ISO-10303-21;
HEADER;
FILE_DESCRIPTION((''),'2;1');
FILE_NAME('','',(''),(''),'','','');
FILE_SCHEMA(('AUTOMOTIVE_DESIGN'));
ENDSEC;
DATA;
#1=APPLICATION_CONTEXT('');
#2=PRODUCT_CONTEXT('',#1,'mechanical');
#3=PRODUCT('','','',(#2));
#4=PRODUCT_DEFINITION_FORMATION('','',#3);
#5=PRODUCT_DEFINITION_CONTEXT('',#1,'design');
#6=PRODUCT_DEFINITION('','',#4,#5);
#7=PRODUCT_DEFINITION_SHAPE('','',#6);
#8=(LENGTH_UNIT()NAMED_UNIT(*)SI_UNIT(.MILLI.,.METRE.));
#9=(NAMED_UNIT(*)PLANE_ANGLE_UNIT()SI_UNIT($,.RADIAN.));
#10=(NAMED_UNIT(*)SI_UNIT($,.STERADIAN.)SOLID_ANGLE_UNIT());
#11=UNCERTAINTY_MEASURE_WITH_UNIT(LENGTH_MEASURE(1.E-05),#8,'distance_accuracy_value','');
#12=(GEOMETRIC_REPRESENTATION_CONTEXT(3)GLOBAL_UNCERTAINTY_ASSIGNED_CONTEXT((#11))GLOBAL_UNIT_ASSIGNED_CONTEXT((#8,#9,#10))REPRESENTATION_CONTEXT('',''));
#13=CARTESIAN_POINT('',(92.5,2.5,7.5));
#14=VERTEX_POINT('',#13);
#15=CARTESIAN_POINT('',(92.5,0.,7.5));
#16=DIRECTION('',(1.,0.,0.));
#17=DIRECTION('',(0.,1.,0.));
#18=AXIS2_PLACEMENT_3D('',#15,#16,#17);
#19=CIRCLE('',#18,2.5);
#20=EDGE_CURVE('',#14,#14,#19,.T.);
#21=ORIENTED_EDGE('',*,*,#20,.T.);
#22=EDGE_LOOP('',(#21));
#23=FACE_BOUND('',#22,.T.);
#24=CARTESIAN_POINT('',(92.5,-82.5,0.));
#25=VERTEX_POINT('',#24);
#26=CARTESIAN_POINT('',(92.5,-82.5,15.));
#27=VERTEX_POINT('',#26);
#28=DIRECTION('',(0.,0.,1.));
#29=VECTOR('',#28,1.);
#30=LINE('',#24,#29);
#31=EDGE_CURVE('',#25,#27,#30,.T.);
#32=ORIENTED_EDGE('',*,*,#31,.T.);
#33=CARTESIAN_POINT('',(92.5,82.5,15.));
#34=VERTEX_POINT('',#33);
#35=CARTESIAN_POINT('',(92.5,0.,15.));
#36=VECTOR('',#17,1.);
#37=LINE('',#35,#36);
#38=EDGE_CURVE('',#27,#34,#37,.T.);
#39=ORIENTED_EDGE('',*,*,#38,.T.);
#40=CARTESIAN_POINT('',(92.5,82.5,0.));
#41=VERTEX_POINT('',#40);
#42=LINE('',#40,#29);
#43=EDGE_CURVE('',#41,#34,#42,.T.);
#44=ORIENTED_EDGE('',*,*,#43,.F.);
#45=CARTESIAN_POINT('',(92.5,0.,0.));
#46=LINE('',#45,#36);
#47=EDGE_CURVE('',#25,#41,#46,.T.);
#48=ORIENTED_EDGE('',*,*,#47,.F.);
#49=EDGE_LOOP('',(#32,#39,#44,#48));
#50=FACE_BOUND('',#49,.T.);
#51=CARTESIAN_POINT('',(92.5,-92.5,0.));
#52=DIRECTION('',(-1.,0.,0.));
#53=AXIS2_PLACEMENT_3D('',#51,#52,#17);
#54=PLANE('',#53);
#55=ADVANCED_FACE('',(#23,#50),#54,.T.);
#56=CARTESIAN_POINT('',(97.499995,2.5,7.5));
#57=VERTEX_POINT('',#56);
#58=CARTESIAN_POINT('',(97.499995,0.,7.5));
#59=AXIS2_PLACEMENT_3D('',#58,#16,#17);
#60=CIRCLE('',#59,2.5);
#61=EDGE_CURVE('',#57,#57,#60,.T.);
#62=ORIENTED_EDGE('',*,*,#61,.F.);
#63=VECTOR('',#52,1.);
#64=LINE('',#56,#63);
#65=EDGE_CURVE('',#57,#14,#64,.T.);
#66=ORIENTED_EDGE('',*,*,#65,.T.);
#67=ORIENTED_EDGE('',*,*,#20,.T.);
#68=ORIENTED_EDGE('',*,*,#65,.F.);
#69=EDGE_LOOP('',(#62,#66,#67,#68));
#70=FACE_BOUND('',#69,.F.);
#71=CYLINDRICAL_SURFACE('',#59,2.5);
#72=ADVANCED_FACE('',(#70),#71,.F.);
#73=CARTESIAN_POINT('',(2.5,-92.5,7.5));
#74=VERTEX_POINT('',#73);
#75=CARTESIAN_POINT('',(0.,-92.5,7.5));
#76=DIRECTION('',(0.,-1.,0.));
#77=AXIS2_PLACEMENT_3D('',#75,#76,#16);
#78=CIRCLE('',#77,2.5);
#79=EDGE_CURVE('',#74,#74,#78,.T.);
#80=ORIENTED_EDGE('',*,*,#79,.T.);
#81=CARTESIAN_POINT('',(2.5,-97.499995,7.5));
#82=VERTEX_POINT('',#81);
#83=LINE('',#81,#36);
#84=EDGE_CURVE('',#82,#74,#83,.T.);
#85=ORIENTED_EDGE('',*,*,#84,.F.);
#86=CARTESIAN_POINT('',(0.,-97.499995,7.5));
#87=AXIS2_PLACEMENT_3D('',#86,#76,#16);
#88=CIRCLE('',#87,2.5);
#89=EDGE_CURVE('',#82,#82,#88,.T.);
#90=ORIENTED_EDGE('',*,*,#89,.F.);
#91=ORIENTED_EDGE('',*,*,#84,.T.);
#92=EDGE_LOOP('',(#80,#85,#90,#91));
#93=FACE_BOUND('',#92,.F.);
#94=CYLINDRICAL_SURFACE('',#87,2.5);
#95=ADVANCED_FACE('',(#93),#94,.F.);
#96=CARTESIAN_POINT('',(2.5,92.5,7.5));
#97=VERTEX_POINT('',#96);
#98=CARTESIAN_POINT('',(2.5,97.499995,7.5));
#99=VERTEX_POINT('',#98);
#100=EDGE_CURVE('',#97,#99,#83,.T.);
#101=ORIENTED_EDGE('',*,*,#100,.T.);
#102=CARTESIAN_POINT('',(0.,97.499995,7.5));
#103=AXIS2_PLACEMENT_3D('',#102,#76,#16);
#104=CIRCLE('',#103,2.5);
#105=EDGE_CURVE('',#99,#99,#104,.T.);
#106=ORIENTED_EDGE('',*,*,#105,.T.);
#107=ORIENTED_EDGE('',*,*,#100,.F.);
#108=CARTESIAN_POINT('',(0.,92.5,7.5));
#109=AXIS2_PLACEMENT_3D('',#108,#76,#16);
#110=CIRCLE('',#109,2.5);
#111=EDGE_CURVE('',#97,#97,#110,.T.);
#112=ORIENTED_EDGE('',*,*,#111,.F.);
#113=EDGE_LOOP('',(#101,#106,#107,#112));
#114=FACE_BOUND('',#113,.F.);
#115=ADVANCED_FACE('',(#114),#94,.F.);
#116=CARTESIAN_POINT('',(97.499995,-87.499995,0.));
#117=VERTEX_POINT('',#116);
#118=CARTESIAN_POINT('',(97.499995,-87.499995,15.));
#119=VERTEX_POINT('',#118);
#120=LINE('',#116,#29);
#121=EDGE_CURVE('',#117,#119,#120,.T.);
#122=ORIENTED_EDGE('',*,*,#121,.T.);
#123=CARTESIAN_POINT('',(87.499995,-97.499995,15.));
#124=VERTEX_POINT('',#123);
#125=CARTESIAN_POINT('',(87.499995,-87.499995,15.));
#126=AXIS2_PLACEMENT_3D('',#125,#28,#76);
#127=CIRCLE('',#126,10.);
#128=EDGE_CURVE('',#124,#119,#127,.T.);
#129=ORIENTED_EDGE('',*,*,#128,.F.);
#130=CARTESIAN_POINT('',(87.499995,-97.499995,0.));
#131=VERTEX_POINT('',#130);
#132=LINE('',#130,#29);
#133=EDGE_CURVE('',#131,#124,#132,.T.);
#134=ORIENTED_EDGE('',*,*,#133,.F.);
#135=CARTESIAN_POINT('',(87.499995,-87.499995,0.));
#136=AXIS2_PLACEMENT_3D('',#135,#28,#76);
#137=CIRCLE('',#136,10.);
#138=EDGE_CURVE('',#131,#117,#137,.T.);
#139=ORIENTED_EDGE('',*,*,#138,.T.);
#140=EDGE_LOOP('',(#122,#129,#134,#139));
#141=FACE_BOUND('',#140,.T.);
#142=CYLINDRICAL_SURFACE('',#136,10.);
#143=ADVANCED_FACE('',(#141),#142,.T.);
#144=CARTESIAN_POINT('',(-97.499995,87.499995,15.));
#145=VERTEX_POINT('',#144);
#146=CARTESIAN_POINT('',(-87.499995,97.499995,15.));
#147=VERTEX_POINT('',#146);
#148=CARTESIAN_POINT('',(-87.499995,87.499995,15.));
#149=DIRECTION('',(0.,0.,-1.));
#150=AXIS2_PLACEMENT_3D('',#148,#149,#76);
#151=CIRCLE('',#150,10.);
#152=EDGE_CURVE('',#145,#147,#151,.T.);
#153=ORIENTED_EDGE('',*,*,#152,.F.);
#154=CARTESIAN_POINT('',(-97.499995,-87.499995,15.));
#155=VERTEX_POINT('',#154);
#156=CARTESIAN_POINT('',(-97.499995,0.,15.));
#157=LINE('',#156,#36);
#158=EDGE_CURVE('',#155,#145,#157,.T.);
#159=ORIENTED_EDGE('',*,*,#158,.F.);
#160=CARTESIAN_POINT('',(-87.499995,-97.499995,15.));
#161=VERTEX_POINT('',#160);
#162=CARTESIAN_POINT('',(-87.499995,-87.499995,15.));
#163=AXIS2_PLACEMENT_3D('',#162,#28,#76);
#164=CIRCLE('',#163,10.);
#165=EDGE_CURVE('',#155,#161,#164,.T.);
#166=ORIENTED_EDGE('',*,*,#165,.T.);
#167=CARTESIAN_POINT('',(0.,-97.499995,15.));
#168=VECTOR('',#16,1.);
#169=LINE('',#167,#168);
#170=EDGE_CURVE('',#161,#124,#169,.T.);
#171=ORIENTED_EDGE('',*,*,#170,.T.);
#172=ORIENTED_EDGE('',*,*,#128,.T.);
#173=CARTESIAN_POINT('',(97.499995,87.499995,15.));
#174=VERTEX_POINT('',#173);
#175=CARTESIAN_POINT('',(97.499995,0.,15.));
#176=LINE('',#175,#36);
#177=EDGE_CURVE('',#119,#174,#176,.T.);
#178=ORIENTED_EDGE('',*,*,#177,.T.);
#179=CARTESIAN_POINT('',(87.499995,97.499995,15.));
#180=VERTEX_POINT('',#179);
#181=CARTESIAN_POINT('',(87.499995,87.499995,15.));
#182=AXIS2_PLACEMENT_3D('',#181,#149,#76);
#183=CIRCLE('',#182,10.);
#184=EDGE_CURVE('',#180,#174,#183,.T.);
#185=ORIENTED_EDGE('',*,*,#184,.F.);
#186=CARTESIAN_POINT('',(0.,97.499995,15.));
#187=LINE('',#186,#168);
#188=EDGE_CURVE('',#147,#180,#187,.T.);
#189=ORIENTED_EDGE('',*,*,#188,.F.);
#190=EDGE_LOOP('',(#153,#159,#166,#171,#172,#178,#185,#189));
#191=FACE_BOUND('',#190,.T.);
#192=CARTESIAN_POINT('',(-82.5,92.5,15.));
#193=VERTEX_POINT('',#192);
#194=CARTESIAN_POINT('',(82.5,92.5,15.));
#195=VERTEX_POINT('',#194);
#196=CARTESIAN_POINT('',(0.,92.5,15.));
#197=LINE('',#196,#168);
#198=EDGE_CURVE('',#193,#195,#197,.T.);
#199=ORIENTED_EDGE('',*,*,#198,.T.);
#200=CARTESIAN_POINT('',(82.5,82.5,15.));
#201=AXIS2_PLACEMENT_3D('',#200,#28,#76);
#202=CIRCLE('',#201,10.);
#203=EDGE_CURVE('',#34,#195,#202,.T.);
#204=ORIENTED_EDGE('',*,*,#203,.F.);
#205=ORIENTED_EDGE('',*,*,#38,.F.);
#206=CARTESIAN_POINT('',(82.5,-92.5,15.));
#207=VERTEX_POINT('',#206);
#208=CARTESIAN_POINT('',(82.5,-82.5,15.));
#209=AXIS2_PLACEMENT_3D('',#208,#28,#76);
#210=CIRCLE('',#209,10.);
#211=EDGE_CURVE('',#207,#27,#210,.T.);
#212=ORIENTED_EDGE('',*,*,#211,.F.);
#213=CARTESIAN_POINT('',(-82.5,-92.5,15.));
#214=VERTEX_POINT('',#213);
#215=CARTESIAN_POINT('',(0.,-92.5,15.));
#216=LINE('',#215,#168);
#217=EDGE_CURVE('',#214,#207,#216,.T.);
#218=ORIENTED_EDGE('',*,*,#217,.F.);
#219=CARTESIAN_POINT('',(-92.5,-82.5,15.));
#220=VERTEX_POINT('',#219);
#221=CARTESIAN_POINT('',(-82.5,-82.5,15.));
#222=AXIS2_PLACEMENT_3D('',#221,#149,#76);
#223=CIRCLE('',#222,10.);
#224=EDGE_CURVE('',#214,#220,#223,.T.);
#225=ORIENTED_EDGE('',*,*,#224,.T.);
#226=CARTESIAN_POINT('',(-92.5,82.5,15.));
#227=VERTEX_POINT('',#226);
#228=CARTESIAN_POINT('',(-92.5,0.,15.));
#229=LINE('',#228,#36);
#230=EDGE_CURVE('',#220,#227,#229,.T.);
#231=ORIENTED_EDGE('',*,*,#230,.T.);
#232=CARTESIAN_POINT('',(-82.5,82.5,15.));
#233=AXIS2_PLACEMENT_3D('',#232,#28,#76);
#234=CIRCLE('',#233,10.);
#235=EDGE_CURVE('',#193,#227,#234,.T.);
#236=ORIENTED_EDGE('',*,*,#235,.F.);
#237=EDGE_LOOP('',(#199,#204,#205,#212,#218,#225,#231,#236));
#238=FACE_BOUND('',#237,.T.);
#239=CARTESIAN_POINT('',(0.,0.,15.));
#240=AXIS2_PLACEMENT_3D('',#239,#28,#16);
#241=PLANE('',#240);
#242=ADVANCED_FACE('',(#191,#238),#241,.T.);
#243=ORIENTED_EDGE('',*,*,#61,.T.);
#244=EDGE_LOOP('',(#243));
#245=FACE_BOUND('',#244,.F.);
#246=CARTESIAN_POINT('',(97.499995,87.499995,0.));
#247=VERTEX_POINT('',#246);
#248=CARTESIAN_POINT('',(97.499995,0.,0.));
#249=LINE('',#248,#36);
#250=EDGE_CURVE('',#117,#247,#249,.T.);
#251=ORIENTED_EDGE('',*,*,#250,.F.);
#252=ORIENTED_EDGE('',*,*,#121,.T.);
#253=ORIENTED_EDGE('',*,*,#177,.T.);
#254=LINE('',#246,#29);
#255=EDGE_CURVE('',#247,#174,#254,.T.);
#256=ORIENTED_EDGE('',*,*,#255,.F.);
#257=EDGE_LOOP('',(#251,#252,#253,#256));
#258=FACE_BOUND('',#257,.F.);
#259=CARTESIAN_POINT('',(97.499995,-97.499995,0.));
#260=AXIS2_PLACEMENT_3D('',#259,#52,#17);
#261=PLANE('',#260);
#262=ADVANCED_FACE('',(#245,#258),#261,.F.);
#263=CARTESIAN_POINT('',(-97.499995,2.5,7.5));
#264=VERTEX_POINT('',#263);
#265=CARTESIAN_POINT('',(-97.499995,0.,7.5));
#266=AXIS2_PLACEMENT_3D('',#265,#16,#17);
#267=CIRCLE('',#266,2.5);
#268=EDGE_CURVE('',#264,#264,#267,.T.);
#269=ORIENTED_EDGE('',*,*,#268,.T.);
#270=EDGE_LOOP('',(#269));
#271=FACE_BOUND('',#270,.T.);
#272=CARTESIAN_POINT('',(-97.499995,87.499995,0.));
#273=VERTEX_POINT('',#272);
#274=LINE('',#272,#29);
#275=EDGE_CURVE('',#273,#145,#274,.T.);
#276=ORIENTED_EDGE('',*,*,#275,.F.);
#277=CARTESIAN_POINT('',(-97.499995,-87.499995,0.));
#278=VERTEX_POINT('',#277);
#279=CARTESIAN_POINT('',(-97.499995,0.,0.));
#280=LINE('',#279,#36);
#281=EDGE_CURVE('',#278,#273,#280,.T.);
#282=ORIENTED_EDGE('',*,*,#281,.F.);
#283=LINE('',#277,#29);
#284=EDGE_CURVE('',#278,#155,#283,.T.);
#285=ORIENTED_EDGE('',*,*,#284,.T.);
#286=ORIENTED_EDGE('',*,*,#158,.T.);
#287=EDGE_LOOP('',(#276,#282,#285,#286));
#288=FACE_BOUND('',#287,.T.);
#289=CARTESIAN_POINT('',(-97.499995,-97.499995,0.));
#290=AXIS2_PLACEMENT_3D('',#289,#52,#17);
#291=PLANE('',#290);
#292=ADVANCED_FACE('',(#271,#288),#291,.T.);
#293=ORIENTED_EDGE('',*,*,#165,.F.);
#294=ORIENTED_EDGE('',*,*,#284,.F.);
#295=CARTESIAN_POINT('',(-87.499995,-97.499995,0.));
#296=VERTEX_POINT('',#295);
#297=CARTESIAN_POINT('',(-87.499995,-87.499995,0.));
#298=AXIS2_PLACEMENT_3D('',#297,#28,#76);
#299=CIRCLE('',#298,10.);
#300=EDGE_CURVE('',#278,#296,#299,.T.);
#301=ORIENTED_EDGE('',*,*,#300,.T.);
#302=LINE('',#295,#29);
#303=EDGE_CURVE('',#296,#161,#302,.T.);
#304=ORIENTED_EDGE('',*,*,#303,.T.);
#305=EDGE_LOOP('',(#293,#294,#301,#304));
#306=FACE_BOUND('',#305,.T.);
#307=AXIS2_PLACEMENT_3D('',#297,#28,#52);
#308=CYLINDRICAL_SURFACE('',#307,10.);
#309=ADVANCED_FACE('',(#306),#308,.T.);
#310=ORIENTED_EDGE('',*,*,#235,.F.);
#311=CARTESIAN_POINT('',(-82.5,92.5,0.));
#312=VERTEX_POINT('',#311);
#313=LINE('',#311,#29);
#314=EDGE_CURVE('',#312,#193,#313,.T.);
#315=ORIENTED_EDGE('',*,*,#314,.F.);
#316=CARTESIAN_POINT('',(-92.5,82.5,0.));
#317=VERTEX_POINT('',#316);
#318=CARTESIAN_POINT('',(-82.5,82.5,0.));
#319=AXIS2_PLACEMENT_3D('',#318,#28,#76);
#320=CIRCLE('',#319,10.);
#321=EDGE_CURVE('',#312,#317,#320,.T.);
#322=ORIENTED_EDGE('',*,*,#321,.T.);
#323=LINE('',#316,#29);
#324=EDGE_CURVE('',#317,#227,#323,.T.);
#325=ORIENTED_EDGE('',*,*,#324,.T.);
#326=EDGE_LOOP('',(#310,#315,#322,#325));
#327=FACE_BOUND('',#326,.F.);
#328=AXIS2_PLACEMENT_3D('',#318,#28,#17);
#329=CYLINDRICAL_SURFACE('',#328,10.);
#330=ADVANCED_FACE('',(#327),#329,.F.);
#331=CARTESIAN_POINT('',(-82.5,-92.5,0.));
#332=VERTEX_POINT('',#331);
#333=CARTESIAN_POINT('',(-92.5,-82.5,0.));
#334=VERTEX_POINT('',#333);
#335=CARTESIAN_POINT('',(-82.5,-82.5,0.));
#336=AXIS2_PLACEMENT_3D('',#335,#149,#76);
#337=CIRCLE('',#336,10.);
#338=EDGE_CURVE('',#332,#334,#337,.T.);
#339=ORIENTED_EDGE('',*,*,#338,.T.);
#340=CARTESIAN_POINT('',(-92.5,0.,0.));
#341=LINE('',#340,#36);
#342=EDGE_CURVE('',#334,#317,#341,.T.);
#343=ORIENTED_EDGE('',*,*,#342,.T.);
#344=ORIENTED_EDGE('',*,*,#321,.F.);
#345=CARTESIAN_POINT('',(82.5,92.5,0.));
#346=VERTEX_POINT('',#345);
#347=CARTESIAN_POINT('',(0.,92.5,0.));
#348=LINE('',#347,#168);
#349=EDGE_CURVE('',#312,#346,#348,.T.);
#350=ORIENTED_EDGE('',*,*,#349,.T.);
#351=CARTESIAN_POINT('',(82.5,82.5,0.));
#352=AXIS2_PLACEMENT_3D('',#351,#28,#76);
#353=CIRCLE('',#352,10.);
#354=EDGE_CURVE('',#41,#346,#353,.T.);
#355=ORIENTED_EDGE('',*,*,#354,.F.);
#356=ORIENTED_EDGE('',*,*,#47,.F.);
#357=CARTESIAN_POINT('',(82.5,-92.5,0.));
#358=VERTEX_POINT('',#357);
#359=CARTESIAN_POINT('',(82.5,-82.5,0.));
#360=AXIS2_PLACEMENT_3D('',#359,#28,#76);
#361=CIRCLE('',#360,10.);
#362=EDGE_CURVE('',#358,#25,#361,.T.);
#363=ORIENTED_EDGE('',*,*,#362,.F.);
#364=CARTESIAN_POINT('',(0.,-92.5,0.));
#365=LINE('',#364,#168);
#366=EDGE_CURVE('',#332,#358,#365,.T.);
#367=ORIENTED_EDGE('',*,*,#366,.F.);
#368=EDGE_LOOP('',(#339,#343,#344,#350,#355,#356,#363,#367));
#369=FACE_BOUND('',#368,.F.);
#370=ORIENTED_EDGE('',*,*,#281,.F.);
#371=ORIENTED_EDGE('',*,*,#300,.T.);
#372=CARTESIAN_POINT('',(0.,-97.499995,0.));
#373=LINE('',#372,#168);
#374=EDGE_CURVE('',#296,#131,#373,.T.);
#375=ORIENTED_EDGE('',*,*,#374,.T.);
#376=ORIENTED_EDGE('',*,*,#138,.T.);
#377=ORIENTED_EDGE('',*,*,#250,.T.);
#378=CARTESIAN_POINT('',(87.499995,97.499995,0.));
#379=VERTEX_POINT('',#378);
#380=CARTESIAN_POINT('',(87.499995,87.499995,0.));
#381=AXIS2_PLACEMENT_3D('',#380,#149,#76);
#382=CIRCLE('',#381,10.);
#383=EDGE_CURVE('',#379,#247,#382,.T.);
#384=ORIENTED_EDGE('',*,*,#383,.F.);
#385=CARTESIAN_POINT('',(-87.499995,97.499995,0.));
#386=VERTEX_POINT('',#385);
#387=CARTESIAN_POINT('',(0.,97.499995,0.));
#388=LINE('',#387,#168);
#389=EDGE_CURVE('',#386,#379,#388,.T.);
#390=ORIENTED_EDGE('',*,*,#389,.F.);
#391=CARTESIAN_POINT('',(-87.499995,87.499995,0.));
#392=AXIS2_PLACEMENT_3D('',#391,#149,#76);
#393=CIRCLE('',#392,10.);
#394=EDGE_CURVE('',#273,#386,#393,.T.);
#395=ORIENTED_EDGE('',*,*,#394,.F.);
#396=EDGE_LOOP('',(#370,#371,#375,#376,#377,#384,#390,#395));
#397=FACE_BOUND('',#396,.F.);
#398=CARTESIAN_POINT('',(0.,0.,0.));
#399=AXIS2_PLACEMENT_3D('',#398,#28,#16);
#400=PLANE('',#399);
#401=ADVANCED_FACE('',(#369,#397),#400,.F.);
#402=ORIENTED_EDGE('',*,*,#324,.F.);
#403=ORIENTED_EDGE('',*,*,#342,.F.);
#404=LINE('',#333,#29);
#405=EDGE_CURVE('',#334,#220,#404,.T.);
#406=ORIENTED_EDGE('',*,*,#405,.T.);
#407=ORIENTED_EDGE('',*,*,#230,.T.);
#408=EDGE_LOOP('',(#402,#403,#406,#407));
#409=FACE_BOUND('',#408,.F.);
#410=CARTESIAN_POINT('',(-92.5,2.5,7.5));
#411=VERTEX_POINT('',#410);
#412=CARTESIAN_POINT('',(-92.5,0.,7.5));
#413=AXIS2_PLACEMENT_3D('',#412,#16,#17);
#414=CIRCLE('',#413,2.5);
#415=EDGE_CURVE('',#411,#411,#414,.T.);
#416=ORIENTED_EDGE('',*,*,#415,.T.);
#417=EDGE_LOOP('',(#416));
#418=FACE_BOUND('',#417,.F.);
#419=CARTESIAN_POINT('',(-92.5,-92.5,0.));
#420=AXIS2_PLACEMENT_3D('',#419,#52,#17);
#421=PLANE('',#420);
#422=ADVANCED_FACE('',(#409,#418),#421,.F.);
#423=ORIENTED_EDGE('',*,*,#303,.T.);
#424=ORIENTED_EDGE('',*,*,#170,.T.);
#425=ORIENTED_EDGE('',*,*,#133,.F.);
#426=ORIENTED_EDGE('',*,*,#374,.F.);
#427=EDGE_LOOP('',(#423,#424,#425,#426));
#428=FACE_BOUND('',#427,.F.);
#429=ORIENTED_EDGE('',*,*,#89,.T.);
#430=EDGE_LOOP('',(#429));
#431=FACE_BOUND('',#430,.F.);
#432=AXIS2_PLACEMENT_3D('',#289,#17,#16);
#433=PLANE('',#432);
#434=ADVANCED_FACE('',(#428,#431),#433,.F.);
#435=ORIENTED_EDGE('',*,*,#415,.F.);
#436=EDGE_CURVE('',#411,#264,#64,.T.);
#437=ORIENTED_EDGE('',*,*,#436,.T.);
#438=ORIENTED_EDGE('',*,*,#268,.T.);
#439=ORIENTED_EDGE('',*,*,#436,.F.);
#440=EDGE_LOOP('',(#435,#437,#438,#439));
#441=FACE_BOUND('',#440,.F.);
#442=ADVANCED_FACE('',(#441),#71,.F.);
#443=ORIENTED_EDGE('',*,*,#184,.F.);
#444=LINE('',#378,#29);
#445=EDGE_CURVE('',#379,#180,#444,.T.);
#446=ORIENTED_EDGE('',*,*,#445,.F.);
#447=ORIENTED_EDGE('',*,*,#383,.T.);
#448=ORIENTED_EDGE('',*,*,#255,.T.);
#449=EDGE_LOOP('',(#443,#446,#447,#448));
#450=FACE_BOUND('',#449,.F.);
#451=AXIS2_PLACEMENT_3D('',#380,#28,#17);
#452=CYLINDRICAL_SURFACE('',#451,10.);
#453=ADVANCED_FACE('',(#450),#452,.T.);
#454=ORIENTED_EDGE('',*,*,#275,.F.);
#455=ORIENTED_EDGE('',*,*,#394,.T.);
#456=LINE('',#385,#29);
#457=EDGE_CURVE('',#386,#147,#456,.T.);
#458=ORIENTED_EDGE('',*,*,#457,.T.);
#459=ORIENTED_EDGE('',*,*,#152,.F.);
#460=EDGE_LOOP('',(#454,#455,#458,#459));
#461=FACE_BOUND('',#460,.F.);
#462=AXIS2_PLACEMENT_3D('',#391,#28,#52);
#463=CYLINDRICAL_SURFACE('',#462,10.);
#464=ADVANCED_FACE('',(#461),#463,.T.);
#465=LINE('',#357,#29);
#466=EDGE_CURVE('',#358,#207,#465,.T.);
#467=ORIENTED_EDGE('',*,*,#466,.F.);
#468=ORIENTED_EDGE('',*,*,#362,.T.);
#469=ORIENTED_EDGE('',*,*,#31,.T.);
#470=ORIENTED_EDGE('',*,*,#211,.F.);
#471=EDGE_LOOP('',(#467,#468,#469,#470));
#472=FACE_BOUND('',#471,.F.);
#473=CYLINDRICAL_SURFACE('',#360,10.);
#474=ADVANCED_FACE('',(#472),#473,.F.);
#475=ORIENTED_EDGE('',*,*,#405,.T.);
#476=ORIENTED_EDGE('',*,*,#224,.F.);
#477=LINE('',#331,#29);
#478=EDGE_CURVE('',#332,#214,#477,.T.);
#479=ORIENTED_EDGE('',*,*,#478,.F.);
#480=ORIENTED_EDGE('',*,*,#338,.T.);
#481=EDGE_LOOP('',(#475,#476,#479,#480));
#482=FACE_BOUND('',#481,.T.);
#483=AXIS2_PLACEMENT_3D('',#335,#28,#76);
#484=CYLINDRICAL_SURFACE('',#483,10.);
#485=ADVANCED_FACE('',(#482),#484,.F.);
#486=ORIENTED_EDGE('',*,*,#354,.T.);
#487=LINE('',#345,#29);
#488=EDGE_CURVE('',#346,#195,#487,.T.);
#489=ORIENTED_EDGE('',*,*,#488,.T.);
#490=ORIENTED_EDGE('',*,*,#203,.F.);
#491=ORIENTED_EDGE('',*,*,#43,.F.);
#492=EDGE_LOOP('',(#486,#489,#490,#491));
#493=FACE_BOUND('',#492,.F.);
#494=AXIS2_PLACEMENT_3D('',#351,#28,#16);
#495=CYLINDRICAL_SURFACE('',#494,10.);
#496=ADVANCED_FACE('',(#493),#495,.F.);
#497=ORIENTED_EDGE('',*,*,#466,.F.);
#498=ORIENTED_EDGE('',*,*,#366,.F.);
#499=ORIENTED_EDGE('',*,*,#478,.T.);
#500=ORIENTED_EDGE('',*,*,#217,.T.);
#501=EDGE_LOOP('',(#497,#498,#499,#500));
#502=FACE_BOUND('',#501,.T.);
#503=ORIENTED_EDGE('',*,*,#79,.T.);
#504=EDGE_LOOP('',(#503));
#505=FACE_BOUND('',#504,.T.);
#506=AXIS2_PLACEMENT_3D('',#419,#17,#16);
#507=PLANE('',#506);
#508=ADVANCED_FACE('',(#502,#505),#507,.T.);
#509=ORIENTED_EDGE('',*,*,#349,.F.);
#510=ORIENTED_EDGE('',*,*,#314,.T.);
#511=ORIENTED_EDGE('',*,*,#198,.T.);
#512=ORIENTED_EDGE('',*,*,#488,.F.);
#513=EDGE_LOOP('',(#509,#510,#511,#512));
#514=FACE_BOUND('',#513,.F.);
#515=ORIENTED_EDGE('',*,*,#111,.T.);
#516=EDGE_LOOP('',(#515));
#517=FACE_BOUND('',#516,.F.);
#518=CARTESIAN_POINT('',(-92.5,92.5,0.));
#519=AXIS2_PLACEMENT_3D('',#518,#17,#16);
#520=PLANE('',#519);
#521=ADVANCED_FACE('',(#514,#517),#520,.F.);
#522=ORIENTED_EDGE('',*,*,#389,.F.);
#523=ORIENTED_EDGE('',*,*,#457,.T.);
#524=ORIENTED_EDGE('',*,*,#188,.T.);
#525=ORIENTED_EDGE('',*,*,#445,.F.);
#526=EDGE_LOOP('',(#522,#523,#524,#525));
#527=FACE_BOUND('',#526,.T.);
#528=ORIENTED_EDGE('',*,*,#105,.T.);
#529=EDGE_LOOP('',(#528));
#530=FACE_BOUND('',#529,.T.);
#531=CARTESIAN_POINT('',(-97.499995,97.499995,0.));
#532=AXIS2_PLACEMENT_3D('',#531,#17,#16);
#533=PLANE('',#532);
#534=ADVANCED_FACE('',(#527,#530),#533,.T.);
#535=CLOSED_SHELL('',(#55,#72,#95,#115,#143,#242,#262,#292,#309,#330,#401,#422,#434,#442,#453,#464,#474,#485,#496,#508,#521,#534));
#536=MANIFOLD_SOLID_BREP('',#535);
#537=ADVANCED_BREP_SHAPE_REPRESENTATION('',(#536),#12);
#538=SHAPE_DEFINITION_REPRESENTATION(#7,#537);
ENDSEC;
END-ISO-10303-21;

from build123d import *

# Parameters (mm, degrees)
F0_W     = 194.99999
F0_H     = 194.99999
F0_W_2   = 185
F0_H_2   = 185
F1_DEPTH = 15
F2_R     = 10
F3_R     = 2.5
F4_DEPTH = 195.00099
F5_R     = 2.5
F6_DEPTH = 195.00099


with BuildPart() as f1:
    # F0 (on Top) → F1 (new body)
    with BuildSketch(Plane.XY):
        Rectangle(F0_W, F0_H)
        Rectangle(F0_W_2, F0_H_2, mode=Mode.SUBTRACT)
    extrude(amount=F1_DEPTH)

    # F2
    f2_edges = [f1.edges().sort_by_distance(p)[0] for p in [
        (-97.499995, -97.499995, 7.5),
        (97.499995, -97.499995, 7.5),
        (92.5, 92.5, 7.5),
        (-97.499995, 97.499995, 7.5),
        (97.499995, 97.499995, 7.5),
        (92.5, -92.5, 7.5),
        (-92.5, -92.5, 7.5),
        (-92.5, 92.5, 7.5),
    ]]
    fillet(f2_edges, radius=F2_R)

    # F3 (on face) → F4 (cut, through all)
    with BuildSketch(Plane.YZ.offset(97.499995)):
        with Locations((0, 7.5)):
            Circle(F3_R)
    extrude(amount=-F4_DEPTH, mode=Mode.SUBTRACT)

    # F5 (on face) → F6 (cut, through all)
    with BuildSketch(Plane.XZ.offset(97.499995)):
        with Locations((0, 7.5)):
            Circle(F5_R)
    extrude(amount=-F6_DEPTH, mode=Mode.SUBTRACT)


solid = f1.part
